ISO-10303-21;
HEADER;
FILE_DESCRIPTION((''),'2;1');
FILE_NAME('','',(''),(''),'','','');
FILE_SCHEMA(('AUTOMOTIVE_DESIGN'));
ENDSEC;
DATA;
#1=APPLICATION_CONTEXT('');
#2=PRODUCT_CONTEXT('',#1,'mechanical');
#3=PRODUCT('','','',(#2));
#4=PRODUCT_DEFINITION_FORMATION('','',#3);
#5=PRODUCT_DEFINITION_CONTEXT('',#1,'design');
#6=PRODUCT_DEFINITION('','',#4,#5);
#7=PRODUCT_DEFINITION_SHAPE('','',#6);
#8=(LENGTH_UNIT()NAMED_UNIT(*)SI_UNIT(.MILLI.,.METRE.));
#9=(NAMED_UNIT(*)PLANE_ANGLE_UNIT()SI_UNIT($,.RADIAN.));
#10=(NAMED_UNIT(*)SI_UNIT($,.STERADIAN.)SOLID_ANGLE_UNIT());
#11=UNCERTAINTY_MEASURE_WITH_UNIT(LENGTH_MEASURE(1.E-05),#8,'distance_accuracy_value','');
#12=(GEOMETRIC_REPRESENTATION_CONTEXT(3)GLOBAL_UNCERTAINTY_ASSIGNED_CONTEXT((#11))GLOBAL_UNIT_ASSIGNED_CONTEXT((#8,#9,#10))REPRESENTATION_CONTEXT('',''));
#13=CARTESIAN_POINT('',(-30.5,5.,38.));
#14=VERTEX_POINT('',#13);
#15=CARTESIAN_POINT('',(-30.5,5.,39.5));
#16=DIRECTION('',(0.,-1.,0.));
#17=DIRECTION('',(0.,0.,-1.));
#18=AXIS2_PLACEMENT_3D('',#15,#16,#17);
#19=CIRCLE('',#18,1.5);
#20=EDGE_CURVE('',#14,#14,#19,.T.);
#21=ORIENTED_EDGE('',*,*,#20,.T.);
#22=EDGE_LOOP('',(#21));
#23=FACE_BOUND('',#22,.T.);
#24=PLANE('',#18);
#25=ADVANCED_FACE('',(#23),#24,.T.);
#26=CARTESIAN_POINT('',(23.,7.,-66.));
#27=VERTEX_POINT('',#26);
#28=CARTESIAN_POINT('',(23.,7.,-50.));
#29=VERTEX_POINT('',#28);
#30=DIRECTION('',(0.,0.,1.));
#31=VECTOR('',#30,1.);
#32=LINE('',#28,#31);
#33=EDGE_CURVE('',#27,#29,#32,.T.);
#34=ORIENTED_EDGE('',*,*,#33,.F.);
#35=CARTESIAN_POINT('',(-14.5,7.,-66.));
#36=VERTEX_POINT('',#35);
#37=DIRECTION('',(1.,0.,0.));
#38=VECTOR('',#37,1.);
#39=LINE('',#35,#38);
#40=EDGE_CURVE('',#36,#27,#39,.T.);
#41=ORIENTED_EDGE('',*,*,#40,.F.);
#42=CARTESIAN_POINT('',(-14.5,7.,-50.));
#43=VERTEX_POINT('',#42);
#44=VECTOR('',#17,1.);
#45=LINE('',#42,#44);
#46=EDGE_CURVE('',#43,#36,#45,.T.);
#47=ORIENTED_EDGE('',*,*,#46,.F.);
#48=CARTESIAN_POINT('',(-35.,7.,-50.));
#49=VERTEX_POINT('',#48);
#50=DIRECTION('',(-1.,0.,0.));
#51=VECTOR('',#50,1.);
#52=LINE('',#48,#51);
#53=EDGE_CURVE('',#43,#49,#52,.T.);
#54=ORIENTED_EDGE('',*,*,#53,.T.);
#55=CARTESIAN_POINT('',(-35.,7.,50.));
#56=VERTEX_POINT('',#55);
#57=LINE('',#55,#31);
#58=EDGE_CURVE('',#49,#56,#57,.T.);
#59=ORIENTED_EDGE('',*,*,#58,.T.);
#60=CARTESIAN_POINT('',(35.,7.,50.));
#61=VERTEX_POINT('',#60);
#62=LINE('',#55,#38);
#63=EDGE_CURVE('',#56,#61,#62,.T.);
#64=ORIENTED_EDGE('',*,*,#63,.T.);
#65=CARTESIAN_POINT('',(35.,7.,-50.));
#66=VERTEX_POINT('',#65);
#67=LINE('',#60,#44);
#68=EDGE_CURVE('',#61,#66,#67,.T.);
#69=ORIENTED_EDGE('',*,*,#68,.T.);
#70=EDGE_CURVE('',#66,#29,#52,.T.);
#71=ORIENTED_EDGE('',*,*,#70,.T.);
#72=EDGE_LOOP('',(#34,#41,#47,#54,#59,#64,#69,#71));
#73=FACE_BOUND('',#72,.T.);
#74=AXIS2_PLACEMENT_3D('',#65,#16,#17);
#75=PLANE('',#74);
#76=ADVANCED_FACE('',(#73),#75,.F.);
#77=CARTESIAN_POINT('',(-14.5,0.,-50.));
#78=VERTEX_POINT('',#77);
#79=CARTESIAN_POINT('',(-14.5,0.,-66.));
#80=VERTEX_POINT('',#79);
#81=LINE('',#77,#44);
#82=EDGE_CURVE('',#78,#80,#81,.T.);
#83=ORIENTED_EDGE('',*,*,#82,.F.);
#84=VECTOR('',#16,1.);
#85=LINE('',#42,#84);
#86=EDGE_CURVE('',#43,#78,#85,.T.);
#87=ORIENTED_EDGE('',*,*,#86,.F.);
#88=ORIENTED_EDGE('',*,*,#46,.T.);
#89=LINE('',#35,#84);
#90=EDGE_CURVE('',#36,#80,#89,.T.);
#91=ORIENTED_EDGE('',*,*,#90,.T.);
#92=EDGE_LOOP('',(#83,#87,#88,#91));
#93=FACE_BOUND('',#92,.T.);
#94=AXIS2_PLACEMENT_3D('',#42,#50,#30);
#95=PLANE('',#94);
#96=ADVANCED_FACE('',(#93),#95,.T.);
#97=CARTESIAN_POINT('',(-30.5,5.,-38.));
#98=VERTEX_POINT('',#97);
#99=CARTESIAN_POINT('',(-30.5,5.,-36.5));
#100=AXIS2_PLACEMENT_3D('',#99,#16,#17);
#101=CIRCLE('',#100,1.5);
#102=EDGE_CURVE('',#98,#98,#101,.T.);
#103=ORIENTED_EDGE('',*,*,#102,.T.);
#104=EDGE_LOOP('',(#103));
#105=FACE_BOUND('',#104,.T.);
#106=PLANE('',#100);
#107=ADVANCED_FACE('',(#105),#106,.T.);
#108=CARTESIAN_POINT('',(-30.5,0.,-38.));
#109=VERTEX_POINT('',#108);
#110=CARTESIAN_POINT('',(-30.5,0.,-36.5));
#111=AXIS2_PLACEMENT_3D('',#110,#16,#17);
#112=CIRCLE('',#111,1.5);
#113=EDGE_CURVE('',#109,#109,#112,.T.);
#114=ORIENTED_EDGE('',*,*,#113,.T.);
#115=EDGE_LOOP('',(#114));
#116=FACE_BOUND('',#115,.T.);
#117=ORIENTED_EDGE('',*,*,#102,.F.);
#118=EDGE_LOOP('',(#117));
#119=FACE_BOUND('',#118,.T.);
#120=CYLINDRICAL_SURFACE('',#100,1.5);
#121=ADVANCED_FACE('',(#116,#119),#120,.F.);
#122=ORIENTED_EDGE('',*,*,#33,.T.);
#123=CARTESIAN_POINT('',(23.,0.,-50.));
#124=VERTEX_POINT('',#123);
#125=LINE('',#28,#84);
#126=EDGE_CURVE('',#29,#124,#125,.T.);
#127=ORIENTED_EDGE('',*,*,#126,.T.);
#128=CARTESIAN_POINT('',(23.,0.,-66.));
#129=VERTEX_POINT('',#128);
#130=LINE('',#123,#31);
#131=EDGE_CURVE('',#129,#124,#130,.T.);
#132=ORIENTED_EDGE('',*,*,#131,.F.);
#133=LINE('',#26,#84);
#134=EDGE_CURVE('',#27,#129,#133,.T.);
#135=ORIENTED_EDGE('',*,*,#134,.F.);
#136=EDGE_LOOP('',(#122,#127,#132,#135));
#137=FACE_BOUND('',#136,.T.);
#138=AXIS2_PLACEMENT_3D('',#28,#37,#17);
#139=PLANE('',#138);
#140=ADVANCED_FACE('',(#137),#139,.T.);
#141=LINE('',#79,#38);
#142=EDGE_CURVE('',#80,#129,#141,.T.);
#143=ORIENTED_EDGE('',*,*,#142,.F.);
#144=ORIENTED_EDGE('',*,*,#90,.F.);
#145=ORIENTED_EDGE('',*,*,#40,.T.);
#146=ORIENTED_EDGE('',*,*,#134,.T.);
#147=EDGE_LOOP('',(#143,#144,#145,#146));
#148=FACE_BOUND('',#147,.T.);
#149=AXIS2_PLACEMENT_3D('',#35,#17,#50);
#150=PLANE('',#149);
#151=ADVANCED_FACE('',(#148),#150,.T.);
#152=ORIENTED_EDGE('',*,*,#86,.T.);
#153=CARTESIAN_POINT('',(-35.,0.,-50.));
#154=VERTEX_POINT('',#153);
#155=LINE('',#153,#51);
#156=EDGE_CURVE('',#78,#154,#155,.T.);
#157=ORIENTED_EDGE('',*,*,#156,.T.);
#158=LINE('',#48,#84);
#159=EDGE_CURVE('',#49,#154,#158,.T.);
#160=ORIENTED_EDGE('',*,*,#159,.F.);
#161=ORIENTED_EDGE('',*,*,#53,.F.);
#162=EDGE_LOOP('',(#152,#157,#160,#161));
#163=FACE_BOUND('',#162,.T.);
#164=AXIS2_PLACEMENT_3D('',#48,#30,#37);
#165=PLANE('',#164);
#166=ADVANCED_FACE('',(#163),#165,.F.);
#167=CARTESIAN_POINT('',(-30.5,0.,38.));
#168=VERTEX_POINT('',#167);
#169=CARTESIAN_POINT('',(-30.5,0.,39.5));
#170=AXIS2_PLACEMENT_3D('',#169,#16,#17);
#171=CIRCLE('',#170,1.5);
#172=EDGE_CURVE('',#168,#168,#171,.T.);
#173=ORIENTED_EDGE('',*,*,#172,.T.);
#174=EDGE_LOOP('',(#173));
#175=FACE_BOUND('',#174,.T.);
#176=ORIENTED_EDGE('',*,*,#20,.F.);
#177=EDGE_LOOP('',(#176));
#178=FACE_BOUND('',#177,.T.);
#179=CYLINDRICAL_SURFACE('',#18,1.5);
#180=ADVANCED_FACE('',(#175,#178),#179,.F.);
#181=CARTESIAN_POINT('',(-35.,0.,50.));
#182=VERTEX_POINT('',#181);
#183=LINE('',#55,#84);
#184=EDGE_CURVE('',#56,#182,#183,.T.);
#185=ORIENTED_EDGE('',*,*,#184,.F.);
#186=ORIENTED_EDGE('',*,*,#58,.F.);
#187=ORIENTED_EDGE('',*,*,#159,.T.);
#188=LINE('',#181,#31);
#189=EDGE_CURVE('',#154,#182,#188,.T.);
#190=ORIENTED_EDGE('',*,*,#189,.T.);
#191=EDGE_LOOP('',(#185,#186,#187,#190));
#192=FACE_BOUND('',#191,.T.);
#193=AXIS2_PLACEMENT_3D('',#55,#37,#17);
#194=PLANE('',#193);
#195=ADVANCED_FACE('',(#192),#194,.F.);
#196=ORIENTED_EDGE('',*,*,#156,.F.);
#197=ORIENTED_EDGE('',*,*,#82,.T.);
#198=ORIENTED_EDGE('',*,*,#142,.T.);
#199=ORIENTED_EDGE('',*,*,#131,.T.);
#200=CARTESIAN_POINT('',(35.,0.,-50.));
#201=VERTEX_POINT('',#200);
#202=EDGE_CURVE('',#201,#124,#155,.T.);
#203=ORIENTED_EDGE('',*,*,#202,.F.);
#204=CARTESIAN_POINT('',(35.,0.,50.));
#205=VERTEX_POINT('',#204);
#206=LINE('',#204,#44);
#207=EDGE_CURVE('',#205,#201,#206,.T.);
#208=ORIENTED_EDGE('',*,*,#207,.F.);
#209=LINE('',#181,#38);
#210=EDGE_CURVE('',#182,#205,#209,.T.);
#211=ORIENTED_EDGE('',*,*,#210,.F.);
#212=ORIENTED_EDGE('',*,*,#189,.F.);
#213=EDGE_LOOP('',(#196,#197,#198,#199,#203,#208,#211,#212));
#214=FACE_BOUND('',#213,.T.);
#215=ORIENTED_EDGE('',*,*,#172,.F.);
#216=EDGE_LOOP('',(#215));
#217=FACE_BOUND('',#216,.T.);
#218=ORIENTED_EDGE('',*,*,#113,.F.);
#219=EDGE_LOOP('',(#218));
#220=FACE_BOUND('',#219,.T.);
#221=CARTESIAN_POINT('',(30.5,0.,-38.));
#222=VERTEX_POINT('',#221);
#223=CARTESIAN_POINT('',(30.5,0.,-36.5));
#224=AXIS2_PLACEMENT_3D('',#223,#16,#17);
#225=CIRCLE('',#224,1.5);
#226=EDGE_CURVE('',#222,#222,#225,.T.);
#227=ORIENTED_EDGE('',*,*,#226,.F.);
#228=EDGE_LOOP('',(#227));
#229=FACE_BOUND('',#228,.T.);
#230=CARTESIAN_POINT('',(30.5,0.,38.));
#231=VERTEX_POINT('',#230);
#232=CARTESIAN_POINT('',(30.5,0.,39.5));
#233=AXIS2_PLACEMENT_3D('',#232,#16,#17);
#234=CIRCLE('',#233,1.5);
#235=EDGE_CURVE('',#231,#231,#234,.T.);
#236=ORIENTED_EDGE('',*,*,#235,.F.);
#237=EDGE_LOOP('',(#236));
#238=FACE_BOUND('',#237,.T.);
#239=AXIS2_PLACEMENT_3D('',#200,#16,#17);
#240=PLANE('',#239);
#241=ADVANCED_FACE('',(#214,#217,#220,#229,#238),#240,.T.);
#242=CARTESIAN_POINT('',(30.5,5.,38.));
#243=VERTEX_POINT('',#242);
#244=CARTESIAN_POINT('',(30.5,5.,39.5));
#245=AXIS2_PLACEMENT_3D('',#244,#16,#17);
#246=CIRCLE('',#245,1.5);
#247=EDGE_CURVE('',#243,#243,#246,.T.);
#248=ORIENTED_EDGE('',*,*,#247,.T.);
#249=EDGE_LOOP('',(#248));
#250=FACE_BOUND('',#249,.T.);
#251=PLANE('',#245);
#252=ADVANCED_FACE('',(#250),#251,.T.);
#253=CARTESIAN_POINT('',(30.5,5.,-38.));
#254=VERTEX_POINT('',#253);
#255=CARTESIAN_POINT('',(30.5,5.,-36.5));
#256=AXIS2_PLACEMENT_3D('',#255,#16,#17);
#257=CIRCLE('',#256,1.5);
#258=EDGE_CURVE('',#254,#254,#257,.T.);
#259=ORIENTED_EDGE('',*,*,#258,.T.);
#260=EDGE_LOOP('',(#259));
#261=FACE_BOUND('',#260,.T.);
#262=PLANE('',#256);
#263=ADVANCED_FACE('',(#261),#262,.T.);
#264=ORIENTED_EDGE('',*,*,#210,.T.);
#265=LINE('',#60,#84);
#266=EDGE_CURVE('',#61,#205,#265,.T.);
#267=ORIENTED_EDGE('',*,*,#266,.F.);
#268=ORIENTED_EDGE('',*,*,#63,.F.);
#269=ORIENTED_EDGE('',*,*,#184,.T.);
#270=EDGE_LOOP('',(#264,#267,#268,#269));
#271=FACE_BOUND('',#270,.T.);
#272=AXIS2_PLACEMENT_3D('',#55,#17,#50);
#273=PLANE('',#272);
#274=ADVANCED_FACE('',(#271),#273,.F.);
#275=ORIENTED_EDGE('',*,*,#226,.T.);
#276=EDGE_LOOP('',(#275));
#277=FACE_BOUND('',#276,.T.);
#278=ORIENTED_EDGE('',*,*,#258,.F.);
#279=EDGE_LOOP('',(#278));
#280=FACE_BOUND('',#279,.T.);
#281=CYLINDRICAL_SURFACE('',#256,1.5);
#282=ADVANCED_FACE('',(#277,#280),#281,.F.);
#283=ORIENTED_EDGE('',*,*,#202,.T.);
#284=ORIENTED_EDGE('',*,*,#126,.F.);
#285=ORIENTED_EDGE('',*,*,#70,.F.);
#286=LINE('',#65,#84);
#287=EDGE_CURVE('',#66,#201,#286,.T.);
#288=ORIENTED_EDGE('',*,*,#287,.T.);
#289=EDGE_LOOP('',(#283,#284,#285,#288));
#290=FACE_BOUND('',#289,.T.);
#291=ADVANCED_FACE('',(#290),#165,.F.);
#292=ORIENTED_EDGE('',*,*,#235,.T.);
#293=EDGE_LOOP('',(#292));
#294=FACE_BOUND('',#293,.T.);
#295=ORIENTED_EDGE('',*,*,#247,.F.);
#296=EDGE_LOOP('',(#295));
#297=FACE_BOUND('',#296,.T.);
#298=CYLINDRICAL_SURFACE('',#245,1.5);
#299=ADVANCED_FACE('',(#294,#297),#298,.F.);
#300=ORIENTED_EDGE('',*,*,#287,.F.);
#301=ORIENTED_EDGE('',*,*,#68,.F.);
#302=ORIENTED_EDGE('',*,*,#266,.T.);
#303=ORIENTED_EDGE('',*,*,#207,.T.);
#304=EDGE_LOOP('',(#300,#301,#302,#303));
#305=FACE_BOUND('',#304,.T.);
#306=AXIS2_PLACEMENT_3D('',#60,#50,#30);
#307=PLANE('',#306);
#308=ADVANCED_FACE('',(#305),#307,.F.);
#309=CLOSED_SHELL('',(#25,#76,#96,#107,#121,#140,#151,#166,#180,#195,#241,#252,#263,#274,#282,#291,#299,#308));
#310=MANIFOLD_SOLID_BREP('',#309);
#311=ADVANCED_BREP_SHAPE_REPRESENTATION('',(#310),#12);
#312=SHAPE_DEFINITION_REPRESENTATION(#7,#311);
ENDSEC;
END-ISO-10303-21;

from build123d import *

# Parameters (mm, degrees)
SKETCH1_W           = 70
SKETCH1_H           = 100
BOSS_EXTRUDE1_DEPTH = 7
SKETCH2_R           = 1.5
CUT_EXTRUDE1_DEPTH  = 5
SKETCH3_W           = 37.5
SKETCH3_H           = 16
BOSS_EXTRUDE2_DEPTH = 7


with BuildPart() as part:
    # Sketch1 → Boss-Extrude1 (new body)
    with BuildSketch(Plane(origin=(0, 0, 0), x_dir=(1, 0, 0), z_dir=(0, 1, 0))):
        Rectangle(SKETCH1_W, SKETCH1_H)
    extrude(amount=BOSS_EXTRUDE1_DEPTH)

    # Sketch2 → Cut-Extrude1 (cut)
    with BuildSketch(Plane.XZ):
        with Locations(Location((-30.5, -36.5, 0), (0, 0, 270))):
            Circle(SKETCH2_R)
        with Locations(Location((-30.5, 39.5, 0), (0, 0, 270))):
            Circle(SKETCH2_R)
        with Locations(Location((30.5, 39.5, 0), (0, 0, 270))):
            Circle(SKETCH2_R)
        with Locations(Location((30.5, -36.5, 0), (0, 0, 270))):
            Circle(SKETCH2_R)
    extrude(amount=-CUT_EXTRUDE1_DEPTH, mode=Mode.SUBTRACT)

    # Sketch3 → Boss-Extrude2 (add)
    with BuildSketch(Plane.XZ):
        with Locations((4.25, -58)):
            Rectangle(SKETCH3_W, SKETCH3_H)
    extrude(amount=-BOSS_EXTRUDE2_DEPTH)


solid = part.part
